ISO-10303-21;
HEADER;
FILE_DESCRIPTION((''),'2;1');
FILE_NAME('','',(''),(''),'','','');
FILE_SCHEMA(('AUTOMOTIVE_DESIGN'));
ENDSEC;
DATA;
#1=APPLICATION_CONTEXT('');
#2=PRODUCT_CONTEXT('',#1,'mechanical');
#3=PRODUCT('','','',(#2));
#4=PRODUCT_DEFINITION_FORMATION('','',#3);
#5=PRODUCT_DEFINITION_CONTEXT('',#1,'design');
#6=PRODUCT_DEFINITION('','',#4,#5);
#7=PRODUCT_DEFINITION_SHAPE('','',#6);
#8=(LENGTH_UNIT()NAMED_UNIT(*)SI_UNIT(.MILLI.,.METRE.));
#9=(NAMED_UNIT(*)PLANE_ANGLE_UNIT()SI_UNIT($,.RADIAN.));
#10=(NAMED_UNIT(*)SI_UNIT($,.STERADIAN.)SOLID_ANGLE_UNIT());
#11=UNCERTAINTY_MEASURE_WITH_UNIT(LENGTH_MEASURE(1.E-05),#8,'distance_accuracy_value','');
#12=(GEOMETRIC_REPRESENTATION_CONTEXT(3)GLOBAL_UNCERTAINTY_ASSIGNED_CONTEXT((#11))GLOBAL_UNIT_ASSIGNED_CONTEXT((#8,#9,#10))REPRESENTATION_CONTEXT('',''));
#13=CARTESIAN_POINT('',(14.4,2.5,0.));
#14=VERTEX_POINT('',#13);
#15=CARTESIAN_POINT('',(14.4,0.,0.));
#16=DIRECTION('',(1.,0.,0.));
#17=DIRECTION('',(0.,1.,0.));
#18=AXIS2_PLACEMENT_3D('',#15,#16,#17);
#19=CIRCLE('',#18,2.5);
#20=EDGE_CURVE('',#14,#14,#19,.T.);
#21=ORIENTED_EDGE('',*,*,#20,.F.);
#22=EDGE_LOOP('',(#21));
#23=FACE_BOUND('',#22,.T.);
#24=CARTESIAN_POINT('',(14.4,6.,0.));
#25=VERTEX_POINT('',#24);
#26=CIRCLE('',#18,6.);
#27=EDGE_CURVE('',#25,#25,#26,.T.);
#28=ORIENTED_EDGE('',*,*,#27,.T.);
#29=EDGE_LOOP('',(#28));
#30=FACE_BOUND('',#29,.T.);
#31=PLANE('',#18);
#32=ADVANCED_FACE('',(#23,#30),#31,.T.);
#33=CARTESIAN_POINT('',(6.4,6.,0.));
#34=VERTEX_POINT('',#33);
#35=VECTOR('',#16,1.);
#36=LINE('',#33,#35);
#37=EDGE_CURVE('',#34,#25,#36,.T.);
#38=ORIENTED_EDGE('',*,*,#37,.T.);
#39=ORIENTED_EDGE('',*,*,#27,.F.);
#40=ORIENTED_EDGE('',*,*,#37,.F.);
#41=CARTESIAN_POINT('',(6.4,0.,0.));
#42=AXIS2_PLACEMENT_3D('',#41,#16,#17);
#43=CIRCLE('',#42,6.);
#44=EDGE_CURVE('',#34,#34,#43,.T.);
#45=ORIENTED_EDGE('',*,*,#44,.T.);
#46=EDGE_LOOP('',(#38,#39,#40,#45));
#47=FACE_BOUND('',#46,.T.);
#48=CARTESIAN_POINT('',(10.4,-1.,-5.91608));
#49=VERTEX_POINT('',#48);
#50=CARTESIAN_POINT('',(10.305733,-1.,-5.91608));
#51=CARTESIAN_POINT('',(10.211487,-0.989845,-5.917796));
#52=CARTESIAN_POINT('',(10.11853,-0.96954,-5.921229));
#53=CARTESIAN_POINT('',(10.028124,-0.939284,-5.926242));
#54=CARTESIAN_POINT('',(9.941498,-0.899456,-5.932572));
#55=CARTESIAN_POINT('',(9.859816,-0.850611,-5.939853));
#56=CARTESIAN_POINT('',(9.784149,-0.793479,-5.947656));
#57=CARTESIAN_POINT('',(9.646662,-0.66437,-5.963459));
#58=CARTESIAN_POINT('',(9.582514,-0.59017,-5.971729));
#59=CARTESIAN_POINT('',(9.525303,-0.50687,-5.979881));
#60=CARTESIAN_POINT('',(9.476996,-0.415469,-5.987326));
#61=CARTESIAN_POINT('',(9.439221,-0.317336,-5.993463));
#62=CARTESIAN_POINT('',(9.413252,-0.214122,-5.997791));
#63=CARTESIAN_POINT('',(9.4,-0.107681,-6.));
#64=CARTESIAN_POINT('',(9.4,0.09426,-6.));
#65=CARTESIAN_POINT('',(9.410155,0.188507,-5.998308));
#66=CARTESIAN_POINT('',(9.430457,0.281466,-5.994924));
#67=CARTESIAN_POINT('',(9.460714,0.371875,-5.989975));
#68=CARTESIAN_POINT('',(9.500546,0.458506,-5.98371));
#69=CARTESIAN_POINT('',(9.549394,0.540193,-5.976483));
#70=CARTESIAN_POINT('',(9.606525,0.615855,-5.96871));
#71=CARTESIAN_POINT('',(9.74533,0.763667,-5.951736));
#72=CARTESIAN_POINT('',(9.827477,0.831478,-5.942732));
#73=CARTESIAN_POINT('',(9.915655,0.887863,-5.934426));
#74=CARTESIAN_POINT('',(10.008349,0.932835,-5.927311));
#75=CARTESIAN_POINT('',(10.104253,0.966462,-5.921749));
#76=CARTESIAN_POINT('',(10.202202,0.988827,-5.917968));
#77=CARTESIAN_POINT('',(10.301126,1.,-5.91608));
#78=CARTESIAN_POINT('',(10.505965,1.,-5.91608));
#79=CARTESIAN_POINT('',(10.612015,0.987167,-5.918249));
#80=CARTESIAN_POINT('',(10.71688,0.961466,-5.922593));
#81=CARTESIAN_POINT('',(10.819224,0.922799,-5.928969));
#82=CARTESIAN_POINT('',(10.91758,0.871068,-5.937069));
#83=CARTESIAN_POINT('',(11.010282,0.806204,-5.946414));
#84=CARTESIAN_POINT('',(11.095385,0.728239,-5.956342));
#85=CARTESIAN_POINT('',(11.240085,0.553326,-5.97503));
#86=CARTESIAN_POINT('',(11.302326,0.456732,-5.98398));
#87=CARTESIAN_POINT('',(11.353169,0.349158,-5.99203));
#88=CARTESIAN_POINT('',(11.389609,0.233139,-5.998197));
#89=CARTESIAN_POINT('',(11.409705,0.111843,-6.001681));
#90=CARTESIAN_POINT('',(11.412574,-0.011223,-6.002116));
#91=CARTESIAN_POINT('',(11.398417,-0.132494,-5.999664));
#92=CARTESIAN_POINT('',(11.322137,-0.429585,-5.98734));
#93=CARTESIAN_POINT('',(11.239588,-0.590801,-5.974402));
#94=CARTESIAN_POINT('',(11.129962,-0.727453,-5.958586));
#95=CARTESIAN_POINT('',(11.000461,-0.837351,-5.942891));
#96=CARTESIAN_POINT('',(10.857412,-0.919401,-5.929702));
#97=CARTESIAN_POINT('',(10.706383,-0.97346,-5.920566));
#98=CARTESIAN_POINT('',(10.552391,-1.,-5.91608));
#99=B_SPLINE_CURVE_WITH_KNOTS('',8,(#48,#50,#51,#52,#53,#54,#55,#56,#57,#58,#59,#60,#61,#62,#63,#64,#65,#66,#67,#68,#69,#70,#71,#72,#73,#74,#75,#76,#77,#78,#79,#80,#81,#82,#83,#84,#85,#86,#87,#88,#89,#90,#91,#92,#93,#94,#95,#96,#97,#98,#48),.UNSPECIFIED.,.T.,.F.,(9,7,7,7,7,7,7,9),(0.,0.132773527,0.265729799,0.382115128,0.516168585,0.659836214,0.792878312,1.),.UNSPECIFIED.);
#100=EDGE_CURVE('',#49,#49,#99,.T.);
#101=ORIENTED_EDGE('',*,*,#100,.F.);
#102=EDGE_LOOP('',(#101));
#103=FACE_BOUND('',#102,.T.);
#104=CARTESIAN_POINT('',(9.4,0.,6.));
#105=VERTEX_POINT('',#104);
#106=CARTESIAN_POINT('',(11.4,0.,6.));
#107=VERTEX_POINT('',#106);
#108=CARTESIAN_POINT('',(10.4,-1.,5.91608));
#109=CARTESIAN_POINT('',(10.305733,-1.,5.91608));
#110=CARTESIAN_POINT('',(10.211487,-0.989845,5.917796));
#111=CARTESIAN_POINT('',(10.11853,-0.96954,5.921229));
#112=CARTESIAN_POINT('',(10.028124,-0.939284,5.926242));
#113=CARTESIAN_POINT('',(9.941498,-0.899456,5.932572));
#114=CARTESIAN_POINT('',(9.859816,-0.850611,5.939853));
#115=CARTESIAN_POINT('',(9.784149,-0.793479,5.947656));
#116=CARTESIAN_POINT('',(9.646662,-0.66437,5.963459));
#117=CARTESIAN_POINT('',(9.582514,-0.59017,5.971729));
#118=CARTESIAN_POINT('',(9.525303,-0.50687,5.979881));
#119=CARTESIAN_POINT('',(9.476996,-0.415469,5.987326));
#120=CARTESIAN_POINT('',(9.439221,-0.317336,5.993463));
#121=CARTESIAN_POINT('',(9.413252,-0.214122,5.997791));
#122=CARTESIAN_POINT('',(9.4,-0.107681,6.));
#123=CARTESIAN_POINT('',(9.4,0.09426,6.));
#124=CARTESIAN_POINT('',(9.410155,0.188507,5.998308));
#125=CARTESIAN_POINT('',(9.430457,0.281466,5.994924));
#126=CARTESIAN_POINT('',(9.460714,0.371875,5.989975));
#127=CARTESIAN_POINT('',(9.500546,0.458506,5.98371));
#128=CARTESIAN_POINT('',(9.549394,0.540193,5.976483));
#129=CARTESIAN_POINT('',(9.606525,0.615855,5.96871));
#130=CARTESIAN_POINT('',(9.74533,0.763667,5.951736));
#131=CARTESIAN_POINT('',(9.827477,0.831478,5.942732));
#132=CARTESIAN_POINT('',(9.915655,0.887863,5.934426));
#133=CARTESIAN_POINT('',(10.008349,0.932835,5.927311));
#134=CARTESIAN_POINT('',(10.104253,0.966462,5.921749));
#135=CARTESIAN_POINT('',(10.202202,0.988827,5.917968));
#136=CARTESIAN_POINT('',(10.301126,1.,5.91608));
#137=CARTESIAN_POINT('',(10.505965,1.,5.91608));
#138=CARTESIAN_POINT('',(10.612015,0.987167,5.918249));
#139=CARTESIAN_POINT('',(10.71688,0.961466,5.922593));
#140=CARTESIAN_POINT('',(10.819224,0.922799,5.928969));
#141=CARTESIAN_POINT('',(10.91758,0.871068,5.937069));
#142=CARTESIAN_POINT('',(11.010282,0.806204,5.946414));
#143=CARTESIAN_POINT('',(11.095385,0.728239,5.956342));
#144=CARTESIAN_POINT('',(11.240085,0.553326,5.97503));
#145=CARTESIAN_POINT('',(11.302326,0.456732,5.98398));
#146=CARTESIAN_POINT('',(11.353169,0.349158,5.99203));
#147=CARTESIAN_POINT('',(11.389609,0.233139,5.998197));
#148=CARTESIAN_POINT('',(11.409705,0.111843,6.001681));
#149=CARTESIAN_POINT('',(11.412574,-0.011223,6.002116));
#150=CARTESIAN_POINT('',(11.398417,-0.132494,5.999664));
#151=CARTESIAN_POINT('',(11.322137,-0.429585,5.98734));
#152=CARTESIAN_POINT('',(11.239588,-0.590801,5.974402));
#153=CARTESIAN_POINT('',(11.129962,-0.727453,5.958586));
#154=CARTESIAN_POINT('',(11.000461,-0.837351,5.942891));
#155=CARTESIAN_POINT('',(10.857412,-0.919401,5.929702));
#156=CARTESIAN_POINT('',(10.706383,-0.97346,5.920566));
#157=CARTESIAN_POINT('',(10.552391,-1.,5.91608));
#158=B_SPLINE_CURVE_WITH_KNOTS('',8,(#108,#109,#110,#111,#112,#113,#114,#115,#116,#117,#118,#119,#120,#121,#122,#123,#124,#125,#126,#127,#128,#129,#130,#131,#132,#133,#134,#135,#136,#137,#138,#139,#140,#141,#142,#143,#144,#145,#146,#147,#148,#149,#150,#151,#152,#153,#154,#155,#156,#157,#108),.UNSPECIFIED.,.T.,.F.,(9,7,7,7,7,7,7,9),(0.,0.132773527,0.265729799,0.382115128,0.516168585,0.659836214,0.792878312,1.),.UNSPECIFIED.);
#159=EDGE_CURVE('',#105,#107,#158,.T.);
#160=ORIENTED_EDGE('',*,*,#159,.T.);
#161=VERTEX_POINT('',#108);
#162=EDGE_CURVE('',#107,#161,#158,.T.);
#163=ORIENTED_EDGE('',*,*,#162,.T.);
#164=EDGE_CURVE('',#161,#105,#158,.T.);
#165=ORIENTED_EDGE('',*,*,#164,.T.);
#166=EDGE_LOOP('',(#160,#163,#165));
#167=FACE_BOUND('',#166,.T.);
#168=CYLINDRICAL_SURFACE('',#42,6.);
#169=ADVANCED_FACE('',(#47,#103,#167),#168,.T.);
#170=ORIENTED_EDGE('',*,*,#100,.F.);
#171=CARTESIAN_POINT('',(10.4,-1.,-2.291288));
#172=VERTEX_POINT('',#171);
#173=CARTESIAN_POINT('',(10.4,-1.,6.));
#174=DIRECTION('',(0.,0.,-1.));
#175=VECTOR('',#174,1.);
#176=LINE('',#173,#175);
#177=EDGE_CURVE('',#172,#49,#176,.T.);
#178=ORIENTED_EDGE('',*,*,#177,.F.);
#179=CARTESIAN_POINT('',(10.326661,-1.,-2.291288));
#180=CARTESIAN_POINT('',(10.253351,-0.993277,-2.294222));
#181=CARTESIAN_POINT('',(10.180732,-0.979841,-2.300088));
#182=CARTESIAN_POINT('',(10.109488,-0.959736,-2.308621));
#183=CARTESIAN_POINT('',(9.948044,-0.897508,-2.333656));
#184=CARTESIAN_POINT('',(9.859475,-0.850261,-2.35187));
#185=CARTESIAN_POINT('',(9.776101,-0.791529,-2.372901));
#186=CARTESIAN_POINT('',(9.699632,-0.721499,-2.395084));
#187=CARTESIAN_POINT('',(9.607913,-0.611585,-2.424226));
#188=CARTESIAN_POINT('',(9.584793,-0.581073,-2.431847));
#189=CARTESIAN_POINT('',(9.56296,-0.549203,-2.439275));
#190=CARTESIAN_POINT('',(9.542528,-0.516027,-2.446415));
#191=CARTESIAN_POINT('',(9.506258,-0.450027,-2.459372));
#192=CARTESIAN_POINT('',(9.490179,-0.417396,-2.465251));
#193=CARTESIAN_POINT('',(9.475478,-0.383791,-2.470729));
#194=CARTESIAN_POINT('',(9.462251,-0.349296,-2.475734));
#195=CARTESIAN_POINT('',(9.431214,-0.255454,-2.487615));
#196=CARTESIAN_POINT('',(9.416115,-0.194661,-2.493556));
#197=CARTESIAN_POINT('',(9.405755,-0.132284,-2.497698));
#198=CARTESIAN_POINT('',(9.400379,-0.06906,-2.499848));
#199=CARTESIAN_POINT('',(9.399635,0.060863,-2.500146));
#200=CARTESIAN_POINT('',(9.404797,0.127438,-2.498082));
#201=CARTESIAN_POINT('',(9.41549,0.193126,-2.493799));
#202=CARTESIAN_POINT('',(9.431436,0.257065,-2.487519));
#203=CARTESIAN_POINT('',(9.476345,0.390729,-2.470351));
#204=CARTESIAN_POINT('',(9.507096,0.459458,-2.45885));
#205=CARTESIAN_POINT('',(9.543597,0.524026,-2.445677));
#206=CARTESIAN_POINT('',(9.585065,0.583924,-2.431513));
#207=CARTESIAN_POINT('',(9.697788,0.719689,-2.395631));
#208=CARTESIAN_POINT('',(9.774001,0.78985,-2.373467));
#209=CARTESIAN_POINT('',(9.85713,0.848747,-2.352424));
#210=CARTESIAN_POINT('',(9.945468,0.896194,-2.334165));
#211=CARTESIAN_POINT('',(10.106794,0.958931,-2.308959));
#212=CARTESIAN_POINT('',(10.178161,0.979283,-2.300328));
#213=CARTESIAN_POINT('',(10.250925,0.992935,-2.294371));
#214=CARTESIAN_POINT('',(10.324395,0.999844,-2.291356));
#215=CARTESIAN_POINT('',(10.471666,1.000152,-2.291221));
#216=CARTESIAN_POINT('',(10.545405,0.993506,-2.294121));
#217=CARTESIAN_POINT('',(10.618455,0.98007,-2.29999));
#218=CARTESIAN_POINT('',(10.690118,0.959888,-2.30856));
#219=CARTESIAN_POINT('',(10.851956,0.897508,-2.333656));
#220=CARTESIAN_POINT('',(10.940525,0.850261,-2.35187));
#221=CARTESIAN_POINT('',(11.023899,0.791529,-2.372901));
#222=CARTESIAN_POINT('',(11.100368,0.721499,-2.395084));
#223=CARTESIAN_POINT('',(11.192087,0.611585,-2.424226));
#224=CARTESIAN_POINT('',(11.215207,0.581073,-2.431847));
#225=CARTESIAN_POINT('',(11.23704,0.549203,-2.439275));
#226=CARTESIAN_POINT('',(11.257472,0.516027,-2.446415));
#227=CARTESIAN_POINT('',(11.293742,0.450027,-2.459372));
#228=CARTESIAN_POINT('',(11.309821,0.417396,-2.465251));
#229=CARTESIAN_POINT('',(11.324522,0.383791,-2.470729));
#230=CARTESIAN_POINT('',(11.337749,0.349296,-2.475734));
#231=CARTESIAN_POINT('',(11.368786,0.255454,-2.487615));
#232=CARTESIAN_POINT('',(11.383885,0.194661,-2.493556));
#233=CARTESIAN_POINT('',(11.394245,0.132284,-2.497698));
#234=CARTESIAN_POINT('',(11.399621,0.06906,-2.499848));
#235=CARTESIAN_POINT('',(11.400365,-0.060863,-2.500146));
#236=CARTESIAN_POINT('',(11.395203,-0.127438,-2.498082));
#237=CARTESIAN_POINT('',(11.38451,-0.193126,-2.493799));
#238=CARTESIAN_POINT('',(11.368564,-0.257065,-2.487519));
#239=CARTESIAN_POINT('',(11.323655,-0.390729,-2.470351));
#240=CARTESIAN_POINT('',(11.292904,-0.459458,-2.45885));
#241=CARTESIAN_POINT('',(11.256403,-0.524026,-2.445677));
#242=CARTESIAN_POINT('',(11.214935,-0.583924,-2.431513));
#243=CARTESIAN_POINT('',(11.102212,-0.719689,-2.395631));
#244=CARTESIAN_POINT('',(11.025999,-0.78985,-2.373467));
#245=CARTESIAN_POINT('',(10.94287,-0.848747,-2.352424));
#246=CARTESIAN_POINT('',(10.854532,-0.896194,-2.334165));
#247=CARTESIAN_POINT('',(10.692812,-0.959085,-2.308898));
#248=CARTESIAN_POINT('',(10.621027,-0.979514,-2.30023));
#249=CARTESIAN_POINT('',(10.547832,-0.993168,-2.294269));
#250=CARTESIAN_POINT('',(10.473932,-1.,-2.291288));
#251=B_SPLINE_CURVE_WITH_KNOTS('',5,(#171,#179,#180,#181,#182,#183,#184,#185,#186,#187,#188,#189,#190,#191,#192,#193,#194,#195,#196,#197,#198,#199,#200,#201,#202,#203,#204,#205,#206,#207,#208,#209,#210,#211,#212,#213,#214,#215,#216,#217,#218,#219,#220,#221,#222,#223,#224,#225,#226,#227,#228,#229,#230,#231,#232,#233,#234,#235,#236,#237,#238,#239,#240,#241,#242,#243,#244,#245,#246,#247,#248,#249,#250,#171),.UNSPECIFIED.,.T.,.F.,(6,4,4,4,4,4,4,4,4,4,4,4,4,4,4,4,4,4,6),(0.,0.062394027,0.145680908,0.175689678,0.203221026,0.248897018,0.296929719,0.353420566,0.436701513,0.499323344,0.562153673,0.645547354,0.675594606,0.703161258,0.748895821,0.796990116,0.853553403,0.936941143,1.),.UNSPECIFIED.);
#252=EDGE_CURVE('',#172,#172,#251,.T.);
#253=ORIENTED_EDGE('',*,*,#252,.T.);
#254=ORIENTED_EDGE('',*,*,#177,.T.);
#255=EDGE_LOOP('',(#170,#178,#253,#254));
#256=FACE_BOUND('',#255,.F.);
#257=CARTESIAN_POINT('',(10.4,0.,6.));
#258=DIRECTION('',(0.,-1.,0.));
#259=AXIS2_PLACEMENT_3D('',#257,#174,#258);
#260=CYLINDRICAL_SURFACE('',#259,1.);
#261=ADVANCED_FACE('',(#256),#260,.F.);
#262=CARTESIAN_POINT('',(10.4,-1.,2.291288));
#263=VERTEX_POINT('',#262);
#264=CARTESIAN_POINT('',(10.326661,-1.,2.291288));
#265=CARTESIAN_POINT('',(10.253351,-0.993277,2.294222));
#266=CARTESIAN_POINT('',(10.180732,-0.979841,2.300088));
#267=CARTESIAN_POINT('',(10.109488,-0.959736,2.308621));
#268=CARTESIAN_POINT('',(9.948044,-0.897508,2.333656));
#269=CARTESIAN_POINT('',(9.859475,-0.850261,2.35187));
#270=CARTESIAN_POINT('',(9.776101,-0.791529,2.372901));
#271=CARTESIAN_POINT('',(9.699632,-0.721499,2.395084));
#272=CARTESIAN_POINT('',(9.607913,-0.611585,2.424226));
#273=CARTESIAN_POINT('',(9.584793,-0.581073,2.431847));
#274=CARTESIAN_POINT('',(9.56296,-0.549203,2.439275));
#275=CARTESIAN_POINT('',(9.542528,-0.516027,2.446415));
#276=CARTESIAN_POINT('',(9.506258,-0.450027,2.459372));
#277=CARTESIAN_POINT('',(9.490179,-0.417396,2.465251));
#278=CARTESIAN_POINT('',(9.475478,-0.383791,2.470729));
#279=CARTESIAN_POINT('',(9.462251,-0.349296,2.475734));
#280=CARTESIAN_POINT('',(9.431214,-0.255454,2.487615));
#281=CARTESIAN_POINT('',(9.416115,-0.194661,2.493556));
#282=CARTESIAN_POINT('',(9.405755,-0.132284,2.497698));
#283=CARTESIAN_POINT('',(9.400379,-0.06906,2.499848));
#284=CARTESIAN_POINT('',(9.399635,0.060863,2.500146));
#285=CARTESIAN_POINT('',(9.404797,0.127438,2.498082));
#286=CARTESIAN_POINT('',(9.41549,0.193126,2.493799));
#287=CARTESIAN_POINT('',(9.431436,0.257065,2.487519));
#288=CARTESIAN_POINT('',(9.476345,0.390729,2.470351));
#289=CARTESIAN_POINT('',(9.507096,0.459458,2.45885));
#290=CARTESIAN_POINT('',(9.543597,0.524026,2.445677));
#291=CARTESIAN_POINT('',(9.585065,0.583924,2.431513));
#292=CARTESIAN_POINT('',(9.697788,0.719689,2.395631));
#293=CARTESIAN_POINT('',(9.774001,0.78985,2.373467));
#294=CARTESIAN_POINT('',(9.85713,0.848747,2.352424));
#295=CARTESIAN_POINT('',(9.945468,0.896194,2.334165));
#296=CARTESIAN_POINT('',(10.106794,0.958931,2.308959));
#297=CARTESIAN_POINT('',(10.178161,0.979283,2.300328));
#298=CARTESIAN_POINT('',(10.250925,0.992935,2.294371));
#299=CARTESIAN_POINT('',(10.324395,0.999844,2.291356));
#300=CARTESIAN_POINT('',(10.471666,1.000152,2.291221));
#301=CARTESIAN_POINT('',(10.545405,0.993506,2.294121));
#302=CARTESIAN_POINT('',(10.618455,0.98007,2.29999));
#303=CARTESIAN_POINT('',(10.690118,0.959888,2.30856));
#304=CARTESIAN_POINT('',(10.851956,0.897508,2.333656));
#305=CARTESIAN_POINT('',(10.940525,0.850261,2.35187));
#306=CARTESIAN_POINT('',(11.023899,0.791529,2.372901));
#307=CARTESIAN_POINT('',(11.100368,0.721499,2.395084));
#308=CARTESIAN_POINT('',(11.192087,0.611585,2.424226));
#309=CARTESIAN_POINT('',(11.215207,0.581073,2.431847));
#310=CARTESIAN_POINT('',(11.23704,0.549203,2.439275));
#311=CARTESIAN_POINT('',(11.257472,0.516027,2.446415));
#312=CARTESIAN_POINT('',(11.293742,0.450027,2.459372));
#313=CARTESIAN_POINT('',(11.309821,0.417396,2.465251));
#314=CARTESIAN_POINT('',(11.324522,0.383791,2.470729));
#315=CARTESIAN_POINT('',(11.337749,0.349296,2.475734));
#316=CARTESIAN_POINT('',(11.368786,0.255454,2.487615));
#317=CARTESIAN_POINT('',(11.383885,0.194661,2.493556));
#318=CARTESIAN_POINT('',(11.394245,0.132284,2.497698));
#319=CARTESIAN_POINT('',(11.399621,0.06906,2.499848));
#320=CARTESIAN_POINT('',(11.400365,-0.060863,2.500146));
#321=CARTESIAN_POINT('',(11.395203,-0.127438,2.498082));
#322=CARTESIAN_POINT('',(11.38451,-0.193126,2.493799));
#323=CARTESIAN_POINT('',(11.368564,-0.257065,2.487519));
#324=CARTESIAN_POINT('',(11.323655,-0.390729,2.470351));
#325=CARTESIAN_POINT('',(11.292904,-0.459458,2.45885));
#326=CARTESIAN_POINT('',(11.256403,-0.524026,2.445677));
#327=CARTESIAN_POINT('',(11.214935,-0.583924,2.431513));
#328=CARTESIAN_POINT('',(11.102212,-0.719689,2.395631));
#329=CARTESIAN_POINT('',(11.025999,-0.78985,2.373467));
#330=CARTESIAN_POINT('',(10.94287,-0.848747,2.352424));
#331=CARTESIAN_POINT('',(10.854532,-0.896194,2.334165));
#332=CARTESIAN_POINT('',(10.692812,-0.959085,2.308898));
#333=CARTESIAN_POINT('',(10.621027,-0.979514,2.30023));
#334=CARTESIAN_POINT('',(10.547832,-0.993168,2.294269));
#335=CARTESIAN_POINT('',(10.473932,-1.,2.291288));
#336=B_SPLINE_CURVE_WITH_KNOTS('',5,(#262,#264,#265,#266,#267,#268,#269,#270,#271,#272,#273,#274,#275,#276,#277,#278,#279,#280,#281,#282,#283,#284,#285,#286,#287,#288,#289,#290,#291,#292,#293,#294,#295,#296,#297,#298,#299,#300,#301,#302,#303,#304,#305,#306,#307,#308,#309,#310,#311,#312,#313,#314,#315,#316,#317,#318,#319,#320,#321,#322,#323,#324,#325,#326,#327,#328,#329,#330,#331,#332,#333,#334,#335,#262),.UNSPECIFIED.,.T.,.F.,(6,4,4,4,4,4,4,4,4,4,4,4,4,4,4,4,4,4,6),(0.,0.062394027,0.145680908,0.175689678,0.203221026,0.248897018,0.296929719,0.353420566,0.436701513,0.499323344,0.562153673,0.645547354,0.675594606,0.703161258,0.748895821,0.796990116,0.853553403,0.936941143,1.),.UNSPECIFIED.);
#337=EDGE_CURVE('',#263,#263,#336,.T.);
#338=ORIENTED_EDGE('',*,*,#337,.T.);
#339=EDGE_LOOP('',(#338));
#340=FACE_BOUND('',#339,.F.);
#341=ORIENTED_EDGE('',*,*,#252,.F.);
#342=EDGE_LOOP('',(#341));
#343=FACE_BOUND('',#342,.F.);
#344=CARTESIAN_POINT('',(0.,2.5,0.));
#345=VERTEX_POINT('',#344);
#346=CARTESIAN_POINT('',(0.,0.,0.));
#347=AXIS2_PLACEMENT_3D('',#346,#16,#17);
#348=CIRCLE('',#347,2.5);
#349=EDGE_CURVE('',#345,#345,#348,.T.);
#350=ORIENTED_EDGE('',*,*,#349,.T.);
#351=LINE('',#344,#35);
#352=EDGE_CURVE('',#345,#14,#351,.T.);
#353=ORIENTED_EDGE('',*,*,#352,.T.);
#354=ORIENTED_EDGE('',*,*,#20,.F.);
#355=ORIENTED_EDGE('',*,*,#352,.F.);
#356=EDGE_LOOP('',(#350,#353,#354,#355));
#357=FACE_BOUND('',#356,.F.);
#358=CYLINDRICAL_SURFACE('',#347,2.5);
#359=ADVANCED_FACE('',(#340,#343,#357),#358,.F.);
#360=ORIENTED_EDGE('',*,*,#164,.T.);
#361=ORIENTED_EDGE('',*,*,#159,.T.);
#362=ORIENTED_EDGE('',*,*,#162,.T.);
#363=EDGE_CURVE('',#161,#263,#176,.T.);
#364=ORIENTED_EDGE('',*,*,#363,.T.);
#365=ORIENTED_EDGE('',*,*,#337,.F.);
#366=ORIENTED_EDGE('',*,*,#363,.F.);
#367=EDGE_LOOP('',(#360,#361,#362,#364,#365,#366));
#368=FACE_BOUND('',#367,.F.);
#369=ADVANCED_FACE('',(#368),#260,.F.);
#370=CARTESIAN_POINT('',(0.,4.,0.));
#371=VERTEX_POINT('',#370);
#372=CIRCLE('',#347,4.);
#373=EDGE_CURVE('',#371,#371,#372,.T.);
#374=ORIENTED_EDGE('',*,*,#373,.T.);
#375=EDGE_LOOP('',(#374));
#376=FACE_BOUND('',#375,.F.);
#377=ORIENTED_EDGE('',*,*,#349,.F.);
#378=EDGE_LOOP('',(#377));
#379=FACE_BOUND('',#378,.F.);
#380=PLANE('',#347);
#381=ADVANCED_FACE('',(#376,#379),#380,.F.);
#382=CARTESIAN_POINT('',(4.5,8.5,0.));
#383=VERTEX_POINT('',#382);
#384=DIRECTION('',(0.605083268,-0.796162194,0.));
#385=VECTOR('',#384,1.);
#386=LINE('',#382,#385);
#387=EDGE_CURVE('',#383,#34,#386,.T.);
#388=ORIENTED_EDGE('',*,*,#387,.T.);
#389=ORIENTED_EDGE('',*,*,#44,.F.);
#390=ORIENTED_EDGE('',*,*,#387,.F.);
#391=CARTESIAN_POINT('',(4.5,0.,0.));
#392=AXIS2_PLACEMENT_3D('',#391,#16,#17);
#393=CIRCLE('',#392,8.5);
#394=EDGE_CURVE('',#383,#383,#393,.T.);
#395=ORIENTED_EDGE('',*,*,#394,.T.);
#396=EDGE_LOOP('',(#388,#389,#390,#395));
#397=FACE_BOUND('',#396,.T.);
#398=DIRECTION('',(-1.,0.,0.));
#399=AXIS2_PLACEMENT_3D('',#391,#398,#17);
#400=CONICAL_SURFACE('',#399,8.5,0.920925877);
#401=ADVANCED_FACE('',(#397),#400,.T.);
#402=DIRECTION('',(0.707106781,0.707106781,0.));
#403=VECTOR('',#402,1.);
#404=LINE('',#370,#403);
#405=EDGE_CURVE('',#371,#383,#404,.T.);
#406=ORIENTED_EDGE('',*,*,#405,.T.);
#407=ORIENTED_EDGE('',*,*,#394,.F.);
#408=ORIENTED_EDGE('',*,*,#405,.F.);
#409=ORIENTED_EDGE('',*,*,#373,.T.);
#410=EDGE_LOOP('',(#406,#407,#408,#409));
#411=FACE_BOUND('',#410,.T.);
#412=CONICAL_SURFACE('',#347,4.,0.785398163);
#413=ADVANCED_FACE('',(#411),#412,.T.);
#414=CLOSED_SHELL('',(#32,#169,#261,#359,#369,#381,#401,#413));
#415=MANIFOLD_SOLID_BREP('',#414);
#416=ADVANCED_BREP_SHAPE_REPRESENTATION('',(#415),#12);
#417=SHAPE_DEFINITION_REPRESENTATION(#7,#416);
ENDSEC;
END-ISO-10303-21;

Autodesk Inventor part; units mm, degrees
ref_plane "YZ Plane" through (0, 0, 0) normal (1, 0, 0) x (0, 1, 0)
ref_plane "XZ Plane" through (0, 0, 0) normal (0, 1, 0) x (-1, 0, 0)
sketch "Sketch1" plane through (0, 0, 0) normal (0, 0, 1) x (1, 0, 0)
  line L0 (0, 4) -> (4.5, 8.5)
  line L1 (4.5, 8.5) -> (6.4, 6)
  line L2 (6.4, 6) -> (14.4, 6)
  line L3 (14.4, 6) -> (14.4, 0)
  line L4 (14.4, 0) -> (0, 0)
  line L5 (-2.988, 0) -> (27.6356, 0) construction
  line L6 (0, 4) -> (0, 0)
  line L7 (0, 2.5) -> (14.4, 2.5)
  dimension "d0" = 17
  dimension "d1" = 45
  dimension "d2" = 90
  dimension "d3" = 8
  dimension "d5" = 12
  dimension "d6" = 14.4
  dimension "d7" = 5
  dimension "d9" = 8
revolve "Revolution1" add sketch "Sketch1" angle 360 about axis through (-2.988, 0, 0) along (1, 0, 0) contours L0 L1 L2 L3 L7 L6
ref_plane "Work Plane1" through (10.4, 0, 6) normal (0, 0, 1) x (1, 0, 0)
sketch "Sketch3" plane through (10.4, 0, 6) normal (0, 0, 1) x (1, 0, 0)
  line L0 (4, -6) -> (4, 6) construction
  line L1 (5.4316, 0) -> (-5.4316, 0)
  point P0 (-10.4, 0)
  point P1 (0, 0)
  dimension "d12" = 4
hole "Hole1" at (10.4, 0, 6) direction (0, 0, -1) diameter 2 end through all
properties part number "P07" material "Acetal Resin, White"
